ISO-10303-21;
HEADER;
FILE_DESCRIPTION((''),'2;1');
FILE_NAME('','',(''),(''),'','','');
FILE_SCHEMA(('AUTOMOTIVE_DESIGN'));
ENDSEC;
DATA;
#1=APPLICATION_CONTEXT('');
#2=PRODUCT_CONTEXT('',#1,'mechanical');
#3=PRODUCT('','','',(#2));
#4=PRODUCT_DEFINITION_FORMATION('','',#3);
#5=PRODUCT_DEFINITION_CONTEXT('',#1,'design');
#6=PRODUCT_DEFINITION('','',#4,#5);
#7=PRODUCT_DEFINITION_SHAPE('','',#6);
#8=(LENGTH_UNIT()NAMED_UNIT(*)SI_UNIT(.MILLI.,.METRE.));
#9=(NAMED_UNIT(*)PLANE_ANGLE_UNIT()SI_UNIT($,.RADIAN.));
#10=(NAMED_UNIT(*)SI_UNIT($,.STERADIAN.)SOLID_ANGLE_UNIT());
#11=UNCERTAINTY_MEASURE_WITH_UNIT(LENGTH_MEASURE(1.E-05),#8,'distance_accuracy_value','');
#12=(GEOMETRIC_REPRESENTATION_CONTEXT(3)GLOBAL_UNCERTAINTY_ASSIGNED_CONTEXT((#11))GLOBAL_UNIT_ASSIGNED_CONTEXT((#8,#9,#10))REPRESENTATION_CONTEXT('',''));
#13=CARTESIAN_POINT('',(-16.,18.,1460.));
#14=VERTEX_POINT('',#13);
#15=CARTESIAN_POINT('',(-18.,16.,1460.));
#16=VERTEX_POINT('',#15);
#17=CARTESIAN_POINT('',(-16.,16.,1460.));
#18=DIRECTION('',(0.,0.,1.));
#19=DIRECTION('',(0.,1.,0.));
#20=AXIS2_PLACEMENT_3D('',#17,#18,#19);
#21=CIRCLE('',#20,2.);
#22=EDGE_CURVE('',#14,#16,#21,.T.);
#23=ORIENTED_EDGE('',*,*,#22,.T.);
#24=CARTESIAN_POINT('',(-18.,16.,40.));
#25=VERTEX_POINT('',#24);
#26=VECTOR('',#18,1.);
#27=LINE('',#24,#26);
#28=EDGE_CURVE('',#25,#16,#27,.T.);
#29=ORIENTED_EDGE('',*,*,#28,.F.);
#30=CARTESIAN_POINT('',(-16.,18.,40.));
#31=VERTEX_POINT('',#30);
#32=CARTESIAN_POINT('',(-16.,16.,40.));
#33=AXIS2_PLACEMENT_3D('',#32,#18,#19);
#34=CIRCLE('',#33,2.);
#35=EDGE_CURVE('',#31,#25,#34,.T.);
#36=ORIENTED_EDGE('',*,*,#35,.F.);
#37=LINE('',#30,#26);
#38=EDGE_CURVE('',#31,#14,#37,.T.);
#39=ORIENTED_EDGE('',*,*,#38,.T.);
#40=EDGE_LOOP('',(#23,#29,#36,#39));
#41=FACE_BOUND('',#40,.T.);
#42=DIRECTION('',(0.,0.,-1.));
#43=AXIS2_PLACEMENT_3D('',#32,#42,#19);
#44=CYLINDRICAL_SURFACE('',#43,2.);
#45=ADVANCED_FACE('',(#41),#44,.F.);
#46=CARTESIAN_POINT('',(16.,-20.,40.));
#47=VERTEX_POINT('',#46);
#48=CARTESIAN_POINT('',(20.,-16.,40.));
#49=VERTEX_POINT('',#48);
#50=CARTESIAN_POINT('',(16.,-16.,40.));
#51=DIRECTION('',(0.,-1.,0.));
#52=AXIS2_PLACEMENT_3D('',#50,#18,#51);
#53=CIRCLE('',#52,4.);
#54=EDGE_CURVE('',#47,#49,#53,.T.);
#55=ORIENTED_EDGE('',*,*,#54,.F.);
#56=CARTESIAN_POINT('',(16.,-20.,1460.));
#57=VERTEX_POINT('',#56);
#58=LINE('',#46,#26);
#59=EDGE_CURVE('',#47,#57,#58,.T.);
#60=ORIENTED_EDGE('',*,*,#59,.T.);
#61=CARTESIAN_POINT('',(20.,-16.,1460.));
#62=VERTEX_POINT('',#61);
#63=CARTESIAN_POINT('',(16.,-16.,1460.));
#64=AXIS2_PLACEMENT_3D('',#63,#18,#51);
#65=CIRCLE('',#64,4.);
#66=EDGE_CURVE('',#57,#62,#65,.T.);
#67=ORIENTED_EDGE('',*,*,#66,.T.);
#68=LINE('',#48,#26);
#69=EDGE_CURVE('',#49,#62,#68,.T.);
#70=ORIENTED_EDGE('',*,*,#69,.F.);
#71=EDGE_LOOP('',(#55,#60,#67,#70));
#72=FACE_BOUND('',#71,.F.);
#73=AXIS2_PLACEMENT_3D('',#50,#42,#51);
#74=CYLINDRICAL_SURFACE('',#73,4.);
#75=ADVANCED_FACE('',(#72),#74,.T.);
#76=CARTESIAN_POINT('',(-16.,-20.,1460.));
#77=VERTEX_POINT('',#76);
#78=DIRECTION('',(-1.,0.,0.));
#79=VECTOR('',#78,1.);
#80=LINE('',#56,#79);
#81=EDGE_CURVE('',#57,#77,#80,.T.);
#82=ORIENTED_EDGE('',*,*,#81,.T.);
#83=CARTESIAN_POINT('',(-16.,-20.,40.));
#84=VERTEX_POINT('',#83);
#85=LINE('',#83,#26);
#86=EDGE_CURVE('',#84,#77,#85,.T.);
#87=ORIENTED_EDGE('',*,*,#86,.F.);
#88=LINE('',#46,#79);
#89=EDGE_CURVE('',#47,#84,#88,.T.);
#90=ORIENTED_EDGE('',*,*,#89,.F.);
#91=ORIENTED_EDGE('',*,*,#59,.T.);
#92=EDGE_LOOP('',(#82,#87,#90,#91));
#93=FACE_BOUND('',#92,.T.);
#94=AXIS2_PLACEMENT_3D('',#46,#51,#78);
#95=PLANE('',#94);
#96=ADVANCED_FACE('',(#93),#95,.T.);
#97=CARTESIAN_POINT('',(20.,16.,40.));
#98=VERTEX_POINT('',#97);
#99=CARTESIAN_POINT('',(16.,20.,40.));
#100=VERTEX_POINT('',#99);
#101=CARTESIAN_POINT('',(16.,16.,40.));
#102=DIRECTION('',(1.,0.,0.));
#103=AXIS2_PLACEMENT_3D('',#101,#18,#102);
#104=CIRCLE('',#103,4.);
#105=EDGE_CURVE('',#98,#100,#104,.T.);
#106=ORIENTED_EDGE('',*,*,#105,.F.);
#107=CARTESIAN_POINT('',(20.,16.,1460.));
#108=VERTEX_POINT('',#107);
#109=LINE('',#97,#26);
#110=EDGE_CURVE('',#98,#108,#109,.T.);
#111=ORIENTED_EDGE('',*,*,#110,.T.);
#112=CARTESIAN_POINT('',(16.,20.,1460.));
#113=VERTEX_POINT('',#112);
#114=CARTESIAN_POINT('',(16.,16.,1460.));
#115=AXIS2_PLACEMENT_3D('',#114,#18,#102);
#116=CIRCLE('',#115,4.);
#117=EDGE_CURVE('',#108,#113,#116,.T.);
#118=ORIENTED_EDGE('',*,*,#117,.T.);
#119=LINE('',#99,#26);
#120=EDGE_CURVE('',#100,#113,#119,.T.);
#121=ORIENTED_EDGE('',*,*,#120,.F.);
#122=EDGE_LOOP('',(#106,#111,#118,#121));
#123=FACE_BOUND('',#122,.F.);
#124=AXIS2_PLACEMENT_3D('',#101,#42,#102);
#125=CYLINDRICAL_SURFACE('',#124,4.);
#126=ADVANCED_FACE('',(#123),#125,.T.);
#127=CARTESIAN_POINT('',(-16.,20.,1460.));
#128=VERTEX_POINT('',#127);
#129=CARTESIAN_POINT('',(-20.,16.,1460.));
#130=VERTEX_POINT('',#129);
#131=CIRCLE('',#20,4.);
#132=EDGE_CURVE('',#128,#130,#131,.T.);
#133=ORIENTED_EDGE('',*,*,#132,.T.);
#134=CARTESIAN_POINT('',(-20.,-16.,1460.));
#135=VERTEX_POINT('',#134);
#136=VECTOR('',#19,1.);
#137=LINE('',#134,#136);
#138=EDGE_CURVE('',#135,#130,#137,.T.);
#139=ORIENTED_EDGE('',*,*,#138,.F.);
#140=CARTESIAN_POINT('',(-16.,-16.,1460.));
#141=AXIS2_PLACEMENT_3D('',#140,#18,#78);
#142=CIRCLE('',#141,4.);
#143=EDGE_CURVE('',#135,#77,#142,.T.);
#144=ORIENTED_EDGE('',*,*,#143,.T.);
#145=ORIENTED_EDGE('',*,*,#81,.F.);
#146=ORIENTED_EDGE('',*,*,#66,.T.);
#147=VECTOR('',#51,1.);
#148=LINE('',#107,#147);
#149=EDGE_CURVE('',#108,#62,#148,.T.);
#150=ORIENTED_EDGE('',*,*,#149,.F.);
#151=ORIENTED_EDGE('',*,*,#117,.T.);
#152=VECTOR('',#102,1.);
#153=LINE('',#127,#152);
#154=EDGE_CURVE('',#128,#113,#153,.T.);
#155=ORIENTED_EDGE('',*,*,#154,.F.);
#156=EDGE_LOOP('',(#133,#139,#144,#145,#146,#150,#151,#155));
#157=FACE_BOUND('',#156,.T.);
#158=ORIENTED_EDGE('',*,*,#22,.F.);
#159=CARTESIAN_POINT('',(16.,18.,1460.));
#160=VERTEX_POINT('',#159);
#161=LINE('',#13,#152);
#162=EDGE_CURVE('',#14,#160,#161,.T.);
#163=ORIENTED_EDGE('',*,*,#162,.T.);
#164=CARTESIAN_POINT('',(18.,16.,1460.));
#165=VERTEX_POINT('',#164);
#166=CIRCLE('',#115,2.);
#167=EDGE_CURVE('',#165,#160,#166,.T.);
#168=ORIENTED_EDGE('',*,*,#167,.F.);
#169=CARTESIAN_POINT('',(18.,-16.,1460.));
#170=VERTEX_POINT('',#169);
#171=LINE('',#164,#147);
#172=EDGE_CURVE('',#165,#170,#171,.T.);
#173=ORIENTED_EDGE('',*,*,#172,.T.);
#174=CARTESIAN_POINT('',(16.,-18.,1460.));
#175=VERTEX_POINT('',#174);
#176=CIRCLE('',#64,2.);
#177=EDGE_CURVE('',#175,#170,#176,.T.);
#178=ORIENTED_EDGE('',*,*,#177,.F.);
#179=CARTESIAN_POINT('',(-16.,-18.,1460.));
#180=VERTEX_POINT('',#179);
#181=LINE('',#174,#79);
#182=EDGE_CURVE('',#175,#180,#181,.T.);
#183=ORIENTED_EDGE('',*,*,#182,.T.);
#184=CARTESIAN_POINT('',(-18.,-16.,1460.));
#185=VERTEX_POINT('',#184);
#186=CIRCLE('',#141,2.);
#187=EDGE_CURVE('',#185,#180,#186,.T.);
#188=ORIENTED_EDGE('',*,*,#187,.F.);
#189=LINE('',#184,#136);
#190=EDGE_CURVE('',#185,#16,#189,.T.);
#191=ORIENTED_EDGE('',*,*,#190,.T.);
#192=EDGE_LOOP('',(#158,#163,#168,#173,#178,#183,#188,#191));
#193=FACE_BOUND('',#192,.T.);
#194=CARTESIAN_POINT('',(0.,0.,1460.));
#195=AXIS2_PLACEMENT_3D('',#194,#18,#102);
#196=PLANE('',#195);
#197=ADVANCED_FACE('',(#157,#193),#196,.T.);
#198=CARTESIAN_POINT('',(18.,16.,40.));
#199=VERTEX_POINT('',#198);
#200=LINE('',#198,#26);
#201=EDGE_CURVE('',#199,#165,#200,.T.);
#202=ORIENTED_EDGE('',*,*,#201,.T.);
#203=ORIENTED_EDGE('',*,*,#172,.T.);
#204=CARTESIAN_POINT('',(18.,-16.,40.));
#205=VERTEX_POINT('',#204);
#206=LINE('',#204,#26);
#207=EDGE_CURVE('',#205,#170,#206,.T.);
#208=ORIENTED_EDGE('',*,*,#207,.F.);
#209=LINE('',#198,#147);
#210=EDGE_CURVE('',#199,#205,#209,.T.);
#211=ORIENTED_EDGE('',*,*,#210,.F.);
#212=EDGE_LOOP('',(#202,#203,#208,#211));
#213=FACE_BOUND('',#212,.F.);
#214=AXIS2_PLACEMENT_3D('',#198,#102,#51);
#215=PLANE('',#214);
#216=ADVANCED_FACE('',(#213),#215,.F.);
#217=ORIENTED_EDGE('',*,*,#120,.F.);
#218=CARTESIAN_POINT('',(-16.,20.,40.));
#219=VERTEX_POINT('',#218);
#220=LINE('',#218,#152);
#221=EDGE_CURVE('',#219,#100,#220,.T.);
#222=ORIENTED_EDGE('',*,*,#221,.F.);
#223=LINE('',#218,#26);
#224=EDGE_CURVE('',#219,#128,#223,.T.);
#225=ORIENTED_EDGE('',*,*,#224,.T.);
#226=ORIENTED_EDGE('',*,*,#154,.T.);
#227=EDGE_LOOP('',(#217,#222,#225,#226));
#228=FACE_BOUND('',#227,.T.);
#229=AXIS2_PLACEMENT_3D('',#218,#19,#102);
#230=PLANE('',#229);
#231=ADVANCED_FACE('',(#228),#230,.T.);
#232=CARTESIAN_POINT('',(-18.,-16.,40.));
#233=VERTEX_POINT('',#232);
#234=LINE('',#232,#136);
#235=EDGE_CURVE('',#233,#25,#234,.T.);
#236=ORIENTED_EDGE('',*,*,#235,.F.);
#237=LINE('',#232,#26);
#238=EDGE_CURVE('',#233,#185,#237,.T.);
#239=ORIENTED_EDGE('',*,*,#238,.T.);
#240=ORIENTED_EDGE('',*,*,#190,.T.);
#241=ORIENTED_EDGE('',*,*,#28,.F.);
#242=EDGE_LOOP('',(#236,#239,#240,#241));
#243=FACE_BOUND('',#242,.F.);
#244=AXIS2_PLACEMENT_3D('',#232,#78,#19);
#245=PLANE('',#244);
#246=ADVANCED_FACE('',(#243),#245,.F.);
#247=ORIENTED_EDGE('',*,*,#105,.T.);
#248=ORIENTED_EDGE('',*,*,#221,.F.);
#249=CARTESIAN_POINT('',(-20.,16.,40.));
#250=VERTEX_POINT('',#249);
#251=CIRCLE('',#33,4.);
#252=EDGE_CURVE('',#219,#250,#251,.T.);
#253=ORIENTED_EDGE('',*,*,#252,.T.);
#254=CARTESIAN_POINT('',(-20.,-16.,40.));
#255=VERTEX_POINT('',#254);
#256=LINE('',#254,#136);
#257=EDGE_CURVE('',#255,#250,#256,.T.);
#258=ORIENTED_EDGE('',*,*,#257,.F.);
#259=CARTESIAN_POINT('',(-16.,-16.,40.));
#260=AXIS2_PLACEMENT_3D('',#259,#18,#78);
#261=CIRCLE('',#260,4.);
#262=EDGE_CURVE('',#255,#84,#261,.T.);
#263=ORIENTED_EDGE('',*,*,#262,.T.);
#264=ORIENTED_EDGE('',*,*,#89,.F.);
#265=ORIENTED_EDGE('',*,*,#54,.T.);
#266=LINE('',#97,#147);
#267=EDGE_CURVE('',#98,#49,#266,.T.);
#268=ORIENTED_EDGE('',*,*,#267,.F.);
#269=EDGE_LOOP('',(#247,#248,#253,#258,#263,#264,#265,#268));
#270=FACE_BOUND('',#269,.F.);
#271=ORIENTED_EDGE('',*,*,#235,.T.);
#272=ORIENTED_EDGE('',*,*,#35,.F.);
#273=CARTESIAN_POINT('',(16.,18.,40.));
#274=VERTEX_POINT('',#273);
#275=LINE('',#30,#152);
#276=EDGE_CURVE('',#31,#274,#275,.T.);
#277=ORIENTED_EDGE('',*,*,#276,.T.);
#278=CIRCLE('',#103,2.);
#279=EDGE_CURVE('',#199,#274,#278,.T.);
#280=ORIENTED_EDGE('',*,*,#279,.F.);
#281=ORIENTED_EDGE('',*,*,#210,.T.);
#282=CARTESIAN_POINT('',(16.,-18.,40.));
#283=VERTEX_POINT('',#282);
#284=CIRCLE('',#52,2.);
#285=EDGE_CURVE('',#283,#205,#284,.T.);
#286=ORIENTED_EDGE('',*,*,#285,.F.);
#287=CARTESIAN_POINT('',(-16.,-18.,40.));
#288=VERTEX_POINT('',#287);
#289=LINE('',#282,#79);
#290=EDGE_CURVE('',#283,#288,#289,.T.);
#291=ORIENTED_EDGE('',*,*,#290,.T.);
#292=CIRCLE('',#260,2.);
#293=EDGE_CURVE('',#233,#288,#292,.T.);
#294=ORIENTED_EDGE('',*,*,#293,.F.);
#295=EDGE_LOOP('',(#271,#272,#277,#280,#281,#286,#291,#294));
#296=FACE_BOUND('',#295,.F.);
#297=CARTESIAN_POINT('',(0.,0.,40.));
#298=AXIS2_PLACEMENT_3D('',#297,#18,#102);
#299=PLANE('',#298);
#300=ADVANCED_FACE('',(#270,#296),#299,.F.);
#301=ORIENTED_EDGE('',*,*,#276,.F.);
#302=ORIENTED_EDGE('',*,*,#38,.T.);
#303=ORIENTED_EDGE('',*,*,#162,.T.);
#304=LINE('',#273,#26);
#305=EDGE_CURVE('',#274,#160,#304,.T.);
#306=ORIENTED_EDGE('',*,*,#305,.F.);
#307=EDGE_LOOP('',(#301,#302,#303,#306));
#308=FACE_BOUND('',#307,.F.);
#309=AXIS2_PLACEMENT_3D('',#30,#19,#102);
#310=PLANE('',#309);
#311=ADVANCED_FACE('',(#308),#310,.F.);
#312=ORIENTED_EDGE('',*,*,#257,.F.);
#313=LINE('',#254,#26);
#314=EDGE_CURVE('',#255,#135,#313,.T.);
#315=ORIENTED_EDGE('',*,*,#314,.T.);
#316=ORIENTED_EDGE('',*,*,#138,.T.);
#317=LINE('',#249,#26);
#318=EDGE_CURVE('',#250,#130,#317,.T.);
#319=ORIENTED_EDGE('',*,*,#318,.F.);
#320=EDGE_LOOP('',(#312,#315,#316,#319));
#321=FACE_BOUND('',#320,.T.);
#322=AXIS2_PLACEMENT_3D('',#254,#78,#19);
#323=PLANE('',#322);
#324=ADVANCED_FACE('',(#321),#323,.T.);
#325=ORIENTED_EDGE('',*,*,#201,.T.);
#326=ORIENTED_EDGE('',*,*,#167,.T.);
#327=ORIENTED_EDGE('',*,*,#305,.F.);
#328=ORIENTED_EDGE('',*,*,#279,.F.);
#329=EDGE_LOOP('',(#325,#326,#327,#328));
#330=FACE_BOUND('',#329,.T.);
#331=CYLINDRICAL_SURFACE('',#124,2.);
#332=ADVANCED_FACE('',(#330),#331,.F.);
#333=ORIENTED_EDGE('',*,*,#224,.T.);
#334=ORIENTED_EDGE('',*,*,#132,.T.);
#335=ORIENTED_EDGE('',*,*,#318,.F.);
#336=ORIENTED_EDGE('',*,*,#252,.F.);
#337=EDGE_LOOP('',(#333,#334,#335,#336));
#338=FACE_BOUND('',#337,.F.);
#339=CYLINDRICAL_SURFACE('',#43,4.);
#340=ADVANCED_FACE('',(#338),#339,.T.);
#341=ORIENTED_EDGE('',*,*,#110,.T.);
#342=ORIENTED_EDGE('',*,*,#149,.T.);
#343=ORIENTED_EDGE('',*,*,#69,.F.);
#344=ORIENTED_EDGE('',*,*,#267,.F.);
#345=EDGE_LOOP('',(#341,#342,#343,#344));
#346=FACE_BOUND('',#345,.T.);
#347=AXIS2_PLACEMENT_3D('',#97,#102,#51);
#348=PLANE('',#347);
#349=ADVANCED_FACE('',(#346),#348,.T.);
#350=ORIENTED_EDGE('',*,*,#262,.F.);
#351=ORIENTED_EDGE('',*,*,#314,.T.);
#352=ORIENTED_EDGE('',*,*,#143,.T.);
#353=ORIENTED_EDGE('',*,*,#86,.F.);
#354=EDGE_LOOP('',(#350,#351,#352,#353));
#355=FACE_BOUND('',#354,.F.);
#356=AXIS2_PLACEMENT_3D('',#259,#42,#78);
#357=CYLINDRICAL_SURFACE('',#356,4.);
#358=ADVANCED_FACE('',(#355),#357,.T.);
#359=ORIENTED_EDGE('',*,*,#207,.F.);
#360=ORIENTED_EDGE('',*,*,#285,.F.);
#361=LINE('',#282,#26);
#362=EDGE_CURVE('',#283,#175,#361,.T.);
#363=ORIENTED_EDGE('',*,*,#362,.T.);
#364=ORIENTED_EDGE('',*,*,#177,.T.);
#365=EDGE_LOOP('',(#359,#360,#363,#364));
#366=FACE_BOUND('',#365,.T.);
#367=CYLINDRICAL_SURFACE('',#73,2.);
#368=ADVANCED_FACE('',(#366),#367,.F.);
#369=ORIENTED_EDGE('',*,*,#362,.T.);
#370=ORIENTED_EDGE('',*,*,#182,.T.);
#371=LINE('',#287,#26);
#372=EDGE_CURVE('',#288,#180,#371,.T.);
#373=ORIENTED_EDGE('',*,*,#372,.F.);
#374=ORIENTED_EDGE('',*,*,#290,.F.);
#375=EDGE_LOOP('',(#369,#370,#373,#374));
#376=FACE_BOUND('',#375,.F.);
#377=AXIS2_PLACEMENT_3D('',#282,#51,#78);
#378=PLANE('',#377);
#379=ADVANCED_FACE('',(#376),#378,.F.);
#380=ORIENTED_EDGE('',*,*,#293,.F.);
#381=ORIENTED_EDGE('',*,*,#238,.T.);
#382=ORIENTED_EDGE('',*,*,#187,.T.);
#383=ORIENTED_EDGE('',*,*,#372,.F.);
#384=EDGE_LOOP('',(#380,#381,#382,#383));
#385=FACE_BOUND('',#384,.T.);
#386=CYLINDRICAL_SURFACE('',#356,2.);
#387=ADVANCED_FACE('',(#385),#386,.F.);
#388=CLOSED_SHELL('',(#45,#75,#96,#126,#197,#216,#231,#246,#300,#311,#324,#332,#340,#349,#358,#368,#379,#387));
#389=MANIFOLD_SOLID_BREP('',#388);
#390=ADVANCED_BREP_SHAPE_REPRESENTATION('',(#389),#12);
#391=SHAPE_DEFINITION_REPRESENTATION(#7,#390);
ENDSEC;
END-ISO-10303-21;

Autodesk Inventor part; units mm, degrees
ref_plane "YZ Plane" through (0, 0, 0) normal (1, 0, 0) x (0, 1, 0)
ref_plane "Start Plane" through (0, 0, 40) normal (0, 0, 1) x (1, 0, 0)
ref_plane "End Plane" through (0, 0, 1460) normal (0, 0, 1) x (1, 0, 0)
sketch "Sketch" plane through (0, 0, 0) normal (0, 0, 1) x (1, 0, 0)
  line L0 (-20, -16) -> (-20, 16)
  line L1 (-16, 20) -> (16, 20)
  line L2 (20, 16) -> (20, -16)
  line L3 (16, -20) -> (-16, -20)
  arc A0 (-20, -16) -> (-16, -20) centre (-16, -16) ccw
  arc A1 (20, 16) -> (16, 20) centre (16, 16) ccw
  arc A2 (-16, 20) -> (-20, 16) centre (-16, 16) ccw
  arc A3 (16, -20) -> (20, -16) centre (16, -16) ccw
  arc A4 (-16, 18) -> (-18, 16) centre (-16, 16) ccw
  line L4 (-16, 18) -> (16, 18)
  arc A5 (18, 16) -> (16, 18) centre (16, 16) ccw
  line L5 (18, 16) -> (18, -16)
  arc A6 (16, -18) -> (18, -16) centre (16, -16) ccw
  line L6 (16, -18) -> (-16, -18)
  arc A7 (-18, -16) -> (-16, -18) centre (-16, -16) ccw
  line L7 (-18, -16) -> (-18, 16)
  line L8 (0, 29.1598) -> (0, -29.1598) construction
  line L9 (-29.1598, 0) -> (29.1598, 0) construction
  dimension "d7" = 4
  dimension "d9" = 40
  dimension "d11" = 40
  dimension "d12" = 2
  dimension "d15" = 20
  dimension "d16" = 20
extrude "Body" add sketch "Sketch" along normal up to surface (1420 mm away) from surface at 40
sketch "Sketch3" plane through (0, 0, 0) normal (0, 0, 1) x (1, 0, 0)
  line L0 (0, 0) -> (10, 0)
ref_plane "Work Plane3" through (0, 0, 0) normal (0, -1, 0) x (1, 0, 0)
sketch "Sketch4" plane through (0, 0, 0) normal (0, -1, 0) x (1, 0, 0)
  line L0 (-2, 40) -> (12, 40) projected
  line L1 (-2, 1460) -> (12, 1460) projected
  dimension "d18" = 1420
equation "\"d7\" = G_IR"
equation "\"d9\" = G_W"
equation "\"d11\" = G_H"
equation "\"d12\" = G_T"
equation "\"d15\" = 0.5 * d9"
equation "\"d16\" = 0.5 * d11"
equation "\"d3\" = G_L"
equation "\"G_W\" = 40"
equation "\"G_H\" = 40"
equation "\"G_T\" = 2"
equation "\"G_IR\" = 4"
equation "\"G_L\" = d18"
properties part number "ISO 10799-2 - 40x40x2 - 1420" material "Stainless Steel"
